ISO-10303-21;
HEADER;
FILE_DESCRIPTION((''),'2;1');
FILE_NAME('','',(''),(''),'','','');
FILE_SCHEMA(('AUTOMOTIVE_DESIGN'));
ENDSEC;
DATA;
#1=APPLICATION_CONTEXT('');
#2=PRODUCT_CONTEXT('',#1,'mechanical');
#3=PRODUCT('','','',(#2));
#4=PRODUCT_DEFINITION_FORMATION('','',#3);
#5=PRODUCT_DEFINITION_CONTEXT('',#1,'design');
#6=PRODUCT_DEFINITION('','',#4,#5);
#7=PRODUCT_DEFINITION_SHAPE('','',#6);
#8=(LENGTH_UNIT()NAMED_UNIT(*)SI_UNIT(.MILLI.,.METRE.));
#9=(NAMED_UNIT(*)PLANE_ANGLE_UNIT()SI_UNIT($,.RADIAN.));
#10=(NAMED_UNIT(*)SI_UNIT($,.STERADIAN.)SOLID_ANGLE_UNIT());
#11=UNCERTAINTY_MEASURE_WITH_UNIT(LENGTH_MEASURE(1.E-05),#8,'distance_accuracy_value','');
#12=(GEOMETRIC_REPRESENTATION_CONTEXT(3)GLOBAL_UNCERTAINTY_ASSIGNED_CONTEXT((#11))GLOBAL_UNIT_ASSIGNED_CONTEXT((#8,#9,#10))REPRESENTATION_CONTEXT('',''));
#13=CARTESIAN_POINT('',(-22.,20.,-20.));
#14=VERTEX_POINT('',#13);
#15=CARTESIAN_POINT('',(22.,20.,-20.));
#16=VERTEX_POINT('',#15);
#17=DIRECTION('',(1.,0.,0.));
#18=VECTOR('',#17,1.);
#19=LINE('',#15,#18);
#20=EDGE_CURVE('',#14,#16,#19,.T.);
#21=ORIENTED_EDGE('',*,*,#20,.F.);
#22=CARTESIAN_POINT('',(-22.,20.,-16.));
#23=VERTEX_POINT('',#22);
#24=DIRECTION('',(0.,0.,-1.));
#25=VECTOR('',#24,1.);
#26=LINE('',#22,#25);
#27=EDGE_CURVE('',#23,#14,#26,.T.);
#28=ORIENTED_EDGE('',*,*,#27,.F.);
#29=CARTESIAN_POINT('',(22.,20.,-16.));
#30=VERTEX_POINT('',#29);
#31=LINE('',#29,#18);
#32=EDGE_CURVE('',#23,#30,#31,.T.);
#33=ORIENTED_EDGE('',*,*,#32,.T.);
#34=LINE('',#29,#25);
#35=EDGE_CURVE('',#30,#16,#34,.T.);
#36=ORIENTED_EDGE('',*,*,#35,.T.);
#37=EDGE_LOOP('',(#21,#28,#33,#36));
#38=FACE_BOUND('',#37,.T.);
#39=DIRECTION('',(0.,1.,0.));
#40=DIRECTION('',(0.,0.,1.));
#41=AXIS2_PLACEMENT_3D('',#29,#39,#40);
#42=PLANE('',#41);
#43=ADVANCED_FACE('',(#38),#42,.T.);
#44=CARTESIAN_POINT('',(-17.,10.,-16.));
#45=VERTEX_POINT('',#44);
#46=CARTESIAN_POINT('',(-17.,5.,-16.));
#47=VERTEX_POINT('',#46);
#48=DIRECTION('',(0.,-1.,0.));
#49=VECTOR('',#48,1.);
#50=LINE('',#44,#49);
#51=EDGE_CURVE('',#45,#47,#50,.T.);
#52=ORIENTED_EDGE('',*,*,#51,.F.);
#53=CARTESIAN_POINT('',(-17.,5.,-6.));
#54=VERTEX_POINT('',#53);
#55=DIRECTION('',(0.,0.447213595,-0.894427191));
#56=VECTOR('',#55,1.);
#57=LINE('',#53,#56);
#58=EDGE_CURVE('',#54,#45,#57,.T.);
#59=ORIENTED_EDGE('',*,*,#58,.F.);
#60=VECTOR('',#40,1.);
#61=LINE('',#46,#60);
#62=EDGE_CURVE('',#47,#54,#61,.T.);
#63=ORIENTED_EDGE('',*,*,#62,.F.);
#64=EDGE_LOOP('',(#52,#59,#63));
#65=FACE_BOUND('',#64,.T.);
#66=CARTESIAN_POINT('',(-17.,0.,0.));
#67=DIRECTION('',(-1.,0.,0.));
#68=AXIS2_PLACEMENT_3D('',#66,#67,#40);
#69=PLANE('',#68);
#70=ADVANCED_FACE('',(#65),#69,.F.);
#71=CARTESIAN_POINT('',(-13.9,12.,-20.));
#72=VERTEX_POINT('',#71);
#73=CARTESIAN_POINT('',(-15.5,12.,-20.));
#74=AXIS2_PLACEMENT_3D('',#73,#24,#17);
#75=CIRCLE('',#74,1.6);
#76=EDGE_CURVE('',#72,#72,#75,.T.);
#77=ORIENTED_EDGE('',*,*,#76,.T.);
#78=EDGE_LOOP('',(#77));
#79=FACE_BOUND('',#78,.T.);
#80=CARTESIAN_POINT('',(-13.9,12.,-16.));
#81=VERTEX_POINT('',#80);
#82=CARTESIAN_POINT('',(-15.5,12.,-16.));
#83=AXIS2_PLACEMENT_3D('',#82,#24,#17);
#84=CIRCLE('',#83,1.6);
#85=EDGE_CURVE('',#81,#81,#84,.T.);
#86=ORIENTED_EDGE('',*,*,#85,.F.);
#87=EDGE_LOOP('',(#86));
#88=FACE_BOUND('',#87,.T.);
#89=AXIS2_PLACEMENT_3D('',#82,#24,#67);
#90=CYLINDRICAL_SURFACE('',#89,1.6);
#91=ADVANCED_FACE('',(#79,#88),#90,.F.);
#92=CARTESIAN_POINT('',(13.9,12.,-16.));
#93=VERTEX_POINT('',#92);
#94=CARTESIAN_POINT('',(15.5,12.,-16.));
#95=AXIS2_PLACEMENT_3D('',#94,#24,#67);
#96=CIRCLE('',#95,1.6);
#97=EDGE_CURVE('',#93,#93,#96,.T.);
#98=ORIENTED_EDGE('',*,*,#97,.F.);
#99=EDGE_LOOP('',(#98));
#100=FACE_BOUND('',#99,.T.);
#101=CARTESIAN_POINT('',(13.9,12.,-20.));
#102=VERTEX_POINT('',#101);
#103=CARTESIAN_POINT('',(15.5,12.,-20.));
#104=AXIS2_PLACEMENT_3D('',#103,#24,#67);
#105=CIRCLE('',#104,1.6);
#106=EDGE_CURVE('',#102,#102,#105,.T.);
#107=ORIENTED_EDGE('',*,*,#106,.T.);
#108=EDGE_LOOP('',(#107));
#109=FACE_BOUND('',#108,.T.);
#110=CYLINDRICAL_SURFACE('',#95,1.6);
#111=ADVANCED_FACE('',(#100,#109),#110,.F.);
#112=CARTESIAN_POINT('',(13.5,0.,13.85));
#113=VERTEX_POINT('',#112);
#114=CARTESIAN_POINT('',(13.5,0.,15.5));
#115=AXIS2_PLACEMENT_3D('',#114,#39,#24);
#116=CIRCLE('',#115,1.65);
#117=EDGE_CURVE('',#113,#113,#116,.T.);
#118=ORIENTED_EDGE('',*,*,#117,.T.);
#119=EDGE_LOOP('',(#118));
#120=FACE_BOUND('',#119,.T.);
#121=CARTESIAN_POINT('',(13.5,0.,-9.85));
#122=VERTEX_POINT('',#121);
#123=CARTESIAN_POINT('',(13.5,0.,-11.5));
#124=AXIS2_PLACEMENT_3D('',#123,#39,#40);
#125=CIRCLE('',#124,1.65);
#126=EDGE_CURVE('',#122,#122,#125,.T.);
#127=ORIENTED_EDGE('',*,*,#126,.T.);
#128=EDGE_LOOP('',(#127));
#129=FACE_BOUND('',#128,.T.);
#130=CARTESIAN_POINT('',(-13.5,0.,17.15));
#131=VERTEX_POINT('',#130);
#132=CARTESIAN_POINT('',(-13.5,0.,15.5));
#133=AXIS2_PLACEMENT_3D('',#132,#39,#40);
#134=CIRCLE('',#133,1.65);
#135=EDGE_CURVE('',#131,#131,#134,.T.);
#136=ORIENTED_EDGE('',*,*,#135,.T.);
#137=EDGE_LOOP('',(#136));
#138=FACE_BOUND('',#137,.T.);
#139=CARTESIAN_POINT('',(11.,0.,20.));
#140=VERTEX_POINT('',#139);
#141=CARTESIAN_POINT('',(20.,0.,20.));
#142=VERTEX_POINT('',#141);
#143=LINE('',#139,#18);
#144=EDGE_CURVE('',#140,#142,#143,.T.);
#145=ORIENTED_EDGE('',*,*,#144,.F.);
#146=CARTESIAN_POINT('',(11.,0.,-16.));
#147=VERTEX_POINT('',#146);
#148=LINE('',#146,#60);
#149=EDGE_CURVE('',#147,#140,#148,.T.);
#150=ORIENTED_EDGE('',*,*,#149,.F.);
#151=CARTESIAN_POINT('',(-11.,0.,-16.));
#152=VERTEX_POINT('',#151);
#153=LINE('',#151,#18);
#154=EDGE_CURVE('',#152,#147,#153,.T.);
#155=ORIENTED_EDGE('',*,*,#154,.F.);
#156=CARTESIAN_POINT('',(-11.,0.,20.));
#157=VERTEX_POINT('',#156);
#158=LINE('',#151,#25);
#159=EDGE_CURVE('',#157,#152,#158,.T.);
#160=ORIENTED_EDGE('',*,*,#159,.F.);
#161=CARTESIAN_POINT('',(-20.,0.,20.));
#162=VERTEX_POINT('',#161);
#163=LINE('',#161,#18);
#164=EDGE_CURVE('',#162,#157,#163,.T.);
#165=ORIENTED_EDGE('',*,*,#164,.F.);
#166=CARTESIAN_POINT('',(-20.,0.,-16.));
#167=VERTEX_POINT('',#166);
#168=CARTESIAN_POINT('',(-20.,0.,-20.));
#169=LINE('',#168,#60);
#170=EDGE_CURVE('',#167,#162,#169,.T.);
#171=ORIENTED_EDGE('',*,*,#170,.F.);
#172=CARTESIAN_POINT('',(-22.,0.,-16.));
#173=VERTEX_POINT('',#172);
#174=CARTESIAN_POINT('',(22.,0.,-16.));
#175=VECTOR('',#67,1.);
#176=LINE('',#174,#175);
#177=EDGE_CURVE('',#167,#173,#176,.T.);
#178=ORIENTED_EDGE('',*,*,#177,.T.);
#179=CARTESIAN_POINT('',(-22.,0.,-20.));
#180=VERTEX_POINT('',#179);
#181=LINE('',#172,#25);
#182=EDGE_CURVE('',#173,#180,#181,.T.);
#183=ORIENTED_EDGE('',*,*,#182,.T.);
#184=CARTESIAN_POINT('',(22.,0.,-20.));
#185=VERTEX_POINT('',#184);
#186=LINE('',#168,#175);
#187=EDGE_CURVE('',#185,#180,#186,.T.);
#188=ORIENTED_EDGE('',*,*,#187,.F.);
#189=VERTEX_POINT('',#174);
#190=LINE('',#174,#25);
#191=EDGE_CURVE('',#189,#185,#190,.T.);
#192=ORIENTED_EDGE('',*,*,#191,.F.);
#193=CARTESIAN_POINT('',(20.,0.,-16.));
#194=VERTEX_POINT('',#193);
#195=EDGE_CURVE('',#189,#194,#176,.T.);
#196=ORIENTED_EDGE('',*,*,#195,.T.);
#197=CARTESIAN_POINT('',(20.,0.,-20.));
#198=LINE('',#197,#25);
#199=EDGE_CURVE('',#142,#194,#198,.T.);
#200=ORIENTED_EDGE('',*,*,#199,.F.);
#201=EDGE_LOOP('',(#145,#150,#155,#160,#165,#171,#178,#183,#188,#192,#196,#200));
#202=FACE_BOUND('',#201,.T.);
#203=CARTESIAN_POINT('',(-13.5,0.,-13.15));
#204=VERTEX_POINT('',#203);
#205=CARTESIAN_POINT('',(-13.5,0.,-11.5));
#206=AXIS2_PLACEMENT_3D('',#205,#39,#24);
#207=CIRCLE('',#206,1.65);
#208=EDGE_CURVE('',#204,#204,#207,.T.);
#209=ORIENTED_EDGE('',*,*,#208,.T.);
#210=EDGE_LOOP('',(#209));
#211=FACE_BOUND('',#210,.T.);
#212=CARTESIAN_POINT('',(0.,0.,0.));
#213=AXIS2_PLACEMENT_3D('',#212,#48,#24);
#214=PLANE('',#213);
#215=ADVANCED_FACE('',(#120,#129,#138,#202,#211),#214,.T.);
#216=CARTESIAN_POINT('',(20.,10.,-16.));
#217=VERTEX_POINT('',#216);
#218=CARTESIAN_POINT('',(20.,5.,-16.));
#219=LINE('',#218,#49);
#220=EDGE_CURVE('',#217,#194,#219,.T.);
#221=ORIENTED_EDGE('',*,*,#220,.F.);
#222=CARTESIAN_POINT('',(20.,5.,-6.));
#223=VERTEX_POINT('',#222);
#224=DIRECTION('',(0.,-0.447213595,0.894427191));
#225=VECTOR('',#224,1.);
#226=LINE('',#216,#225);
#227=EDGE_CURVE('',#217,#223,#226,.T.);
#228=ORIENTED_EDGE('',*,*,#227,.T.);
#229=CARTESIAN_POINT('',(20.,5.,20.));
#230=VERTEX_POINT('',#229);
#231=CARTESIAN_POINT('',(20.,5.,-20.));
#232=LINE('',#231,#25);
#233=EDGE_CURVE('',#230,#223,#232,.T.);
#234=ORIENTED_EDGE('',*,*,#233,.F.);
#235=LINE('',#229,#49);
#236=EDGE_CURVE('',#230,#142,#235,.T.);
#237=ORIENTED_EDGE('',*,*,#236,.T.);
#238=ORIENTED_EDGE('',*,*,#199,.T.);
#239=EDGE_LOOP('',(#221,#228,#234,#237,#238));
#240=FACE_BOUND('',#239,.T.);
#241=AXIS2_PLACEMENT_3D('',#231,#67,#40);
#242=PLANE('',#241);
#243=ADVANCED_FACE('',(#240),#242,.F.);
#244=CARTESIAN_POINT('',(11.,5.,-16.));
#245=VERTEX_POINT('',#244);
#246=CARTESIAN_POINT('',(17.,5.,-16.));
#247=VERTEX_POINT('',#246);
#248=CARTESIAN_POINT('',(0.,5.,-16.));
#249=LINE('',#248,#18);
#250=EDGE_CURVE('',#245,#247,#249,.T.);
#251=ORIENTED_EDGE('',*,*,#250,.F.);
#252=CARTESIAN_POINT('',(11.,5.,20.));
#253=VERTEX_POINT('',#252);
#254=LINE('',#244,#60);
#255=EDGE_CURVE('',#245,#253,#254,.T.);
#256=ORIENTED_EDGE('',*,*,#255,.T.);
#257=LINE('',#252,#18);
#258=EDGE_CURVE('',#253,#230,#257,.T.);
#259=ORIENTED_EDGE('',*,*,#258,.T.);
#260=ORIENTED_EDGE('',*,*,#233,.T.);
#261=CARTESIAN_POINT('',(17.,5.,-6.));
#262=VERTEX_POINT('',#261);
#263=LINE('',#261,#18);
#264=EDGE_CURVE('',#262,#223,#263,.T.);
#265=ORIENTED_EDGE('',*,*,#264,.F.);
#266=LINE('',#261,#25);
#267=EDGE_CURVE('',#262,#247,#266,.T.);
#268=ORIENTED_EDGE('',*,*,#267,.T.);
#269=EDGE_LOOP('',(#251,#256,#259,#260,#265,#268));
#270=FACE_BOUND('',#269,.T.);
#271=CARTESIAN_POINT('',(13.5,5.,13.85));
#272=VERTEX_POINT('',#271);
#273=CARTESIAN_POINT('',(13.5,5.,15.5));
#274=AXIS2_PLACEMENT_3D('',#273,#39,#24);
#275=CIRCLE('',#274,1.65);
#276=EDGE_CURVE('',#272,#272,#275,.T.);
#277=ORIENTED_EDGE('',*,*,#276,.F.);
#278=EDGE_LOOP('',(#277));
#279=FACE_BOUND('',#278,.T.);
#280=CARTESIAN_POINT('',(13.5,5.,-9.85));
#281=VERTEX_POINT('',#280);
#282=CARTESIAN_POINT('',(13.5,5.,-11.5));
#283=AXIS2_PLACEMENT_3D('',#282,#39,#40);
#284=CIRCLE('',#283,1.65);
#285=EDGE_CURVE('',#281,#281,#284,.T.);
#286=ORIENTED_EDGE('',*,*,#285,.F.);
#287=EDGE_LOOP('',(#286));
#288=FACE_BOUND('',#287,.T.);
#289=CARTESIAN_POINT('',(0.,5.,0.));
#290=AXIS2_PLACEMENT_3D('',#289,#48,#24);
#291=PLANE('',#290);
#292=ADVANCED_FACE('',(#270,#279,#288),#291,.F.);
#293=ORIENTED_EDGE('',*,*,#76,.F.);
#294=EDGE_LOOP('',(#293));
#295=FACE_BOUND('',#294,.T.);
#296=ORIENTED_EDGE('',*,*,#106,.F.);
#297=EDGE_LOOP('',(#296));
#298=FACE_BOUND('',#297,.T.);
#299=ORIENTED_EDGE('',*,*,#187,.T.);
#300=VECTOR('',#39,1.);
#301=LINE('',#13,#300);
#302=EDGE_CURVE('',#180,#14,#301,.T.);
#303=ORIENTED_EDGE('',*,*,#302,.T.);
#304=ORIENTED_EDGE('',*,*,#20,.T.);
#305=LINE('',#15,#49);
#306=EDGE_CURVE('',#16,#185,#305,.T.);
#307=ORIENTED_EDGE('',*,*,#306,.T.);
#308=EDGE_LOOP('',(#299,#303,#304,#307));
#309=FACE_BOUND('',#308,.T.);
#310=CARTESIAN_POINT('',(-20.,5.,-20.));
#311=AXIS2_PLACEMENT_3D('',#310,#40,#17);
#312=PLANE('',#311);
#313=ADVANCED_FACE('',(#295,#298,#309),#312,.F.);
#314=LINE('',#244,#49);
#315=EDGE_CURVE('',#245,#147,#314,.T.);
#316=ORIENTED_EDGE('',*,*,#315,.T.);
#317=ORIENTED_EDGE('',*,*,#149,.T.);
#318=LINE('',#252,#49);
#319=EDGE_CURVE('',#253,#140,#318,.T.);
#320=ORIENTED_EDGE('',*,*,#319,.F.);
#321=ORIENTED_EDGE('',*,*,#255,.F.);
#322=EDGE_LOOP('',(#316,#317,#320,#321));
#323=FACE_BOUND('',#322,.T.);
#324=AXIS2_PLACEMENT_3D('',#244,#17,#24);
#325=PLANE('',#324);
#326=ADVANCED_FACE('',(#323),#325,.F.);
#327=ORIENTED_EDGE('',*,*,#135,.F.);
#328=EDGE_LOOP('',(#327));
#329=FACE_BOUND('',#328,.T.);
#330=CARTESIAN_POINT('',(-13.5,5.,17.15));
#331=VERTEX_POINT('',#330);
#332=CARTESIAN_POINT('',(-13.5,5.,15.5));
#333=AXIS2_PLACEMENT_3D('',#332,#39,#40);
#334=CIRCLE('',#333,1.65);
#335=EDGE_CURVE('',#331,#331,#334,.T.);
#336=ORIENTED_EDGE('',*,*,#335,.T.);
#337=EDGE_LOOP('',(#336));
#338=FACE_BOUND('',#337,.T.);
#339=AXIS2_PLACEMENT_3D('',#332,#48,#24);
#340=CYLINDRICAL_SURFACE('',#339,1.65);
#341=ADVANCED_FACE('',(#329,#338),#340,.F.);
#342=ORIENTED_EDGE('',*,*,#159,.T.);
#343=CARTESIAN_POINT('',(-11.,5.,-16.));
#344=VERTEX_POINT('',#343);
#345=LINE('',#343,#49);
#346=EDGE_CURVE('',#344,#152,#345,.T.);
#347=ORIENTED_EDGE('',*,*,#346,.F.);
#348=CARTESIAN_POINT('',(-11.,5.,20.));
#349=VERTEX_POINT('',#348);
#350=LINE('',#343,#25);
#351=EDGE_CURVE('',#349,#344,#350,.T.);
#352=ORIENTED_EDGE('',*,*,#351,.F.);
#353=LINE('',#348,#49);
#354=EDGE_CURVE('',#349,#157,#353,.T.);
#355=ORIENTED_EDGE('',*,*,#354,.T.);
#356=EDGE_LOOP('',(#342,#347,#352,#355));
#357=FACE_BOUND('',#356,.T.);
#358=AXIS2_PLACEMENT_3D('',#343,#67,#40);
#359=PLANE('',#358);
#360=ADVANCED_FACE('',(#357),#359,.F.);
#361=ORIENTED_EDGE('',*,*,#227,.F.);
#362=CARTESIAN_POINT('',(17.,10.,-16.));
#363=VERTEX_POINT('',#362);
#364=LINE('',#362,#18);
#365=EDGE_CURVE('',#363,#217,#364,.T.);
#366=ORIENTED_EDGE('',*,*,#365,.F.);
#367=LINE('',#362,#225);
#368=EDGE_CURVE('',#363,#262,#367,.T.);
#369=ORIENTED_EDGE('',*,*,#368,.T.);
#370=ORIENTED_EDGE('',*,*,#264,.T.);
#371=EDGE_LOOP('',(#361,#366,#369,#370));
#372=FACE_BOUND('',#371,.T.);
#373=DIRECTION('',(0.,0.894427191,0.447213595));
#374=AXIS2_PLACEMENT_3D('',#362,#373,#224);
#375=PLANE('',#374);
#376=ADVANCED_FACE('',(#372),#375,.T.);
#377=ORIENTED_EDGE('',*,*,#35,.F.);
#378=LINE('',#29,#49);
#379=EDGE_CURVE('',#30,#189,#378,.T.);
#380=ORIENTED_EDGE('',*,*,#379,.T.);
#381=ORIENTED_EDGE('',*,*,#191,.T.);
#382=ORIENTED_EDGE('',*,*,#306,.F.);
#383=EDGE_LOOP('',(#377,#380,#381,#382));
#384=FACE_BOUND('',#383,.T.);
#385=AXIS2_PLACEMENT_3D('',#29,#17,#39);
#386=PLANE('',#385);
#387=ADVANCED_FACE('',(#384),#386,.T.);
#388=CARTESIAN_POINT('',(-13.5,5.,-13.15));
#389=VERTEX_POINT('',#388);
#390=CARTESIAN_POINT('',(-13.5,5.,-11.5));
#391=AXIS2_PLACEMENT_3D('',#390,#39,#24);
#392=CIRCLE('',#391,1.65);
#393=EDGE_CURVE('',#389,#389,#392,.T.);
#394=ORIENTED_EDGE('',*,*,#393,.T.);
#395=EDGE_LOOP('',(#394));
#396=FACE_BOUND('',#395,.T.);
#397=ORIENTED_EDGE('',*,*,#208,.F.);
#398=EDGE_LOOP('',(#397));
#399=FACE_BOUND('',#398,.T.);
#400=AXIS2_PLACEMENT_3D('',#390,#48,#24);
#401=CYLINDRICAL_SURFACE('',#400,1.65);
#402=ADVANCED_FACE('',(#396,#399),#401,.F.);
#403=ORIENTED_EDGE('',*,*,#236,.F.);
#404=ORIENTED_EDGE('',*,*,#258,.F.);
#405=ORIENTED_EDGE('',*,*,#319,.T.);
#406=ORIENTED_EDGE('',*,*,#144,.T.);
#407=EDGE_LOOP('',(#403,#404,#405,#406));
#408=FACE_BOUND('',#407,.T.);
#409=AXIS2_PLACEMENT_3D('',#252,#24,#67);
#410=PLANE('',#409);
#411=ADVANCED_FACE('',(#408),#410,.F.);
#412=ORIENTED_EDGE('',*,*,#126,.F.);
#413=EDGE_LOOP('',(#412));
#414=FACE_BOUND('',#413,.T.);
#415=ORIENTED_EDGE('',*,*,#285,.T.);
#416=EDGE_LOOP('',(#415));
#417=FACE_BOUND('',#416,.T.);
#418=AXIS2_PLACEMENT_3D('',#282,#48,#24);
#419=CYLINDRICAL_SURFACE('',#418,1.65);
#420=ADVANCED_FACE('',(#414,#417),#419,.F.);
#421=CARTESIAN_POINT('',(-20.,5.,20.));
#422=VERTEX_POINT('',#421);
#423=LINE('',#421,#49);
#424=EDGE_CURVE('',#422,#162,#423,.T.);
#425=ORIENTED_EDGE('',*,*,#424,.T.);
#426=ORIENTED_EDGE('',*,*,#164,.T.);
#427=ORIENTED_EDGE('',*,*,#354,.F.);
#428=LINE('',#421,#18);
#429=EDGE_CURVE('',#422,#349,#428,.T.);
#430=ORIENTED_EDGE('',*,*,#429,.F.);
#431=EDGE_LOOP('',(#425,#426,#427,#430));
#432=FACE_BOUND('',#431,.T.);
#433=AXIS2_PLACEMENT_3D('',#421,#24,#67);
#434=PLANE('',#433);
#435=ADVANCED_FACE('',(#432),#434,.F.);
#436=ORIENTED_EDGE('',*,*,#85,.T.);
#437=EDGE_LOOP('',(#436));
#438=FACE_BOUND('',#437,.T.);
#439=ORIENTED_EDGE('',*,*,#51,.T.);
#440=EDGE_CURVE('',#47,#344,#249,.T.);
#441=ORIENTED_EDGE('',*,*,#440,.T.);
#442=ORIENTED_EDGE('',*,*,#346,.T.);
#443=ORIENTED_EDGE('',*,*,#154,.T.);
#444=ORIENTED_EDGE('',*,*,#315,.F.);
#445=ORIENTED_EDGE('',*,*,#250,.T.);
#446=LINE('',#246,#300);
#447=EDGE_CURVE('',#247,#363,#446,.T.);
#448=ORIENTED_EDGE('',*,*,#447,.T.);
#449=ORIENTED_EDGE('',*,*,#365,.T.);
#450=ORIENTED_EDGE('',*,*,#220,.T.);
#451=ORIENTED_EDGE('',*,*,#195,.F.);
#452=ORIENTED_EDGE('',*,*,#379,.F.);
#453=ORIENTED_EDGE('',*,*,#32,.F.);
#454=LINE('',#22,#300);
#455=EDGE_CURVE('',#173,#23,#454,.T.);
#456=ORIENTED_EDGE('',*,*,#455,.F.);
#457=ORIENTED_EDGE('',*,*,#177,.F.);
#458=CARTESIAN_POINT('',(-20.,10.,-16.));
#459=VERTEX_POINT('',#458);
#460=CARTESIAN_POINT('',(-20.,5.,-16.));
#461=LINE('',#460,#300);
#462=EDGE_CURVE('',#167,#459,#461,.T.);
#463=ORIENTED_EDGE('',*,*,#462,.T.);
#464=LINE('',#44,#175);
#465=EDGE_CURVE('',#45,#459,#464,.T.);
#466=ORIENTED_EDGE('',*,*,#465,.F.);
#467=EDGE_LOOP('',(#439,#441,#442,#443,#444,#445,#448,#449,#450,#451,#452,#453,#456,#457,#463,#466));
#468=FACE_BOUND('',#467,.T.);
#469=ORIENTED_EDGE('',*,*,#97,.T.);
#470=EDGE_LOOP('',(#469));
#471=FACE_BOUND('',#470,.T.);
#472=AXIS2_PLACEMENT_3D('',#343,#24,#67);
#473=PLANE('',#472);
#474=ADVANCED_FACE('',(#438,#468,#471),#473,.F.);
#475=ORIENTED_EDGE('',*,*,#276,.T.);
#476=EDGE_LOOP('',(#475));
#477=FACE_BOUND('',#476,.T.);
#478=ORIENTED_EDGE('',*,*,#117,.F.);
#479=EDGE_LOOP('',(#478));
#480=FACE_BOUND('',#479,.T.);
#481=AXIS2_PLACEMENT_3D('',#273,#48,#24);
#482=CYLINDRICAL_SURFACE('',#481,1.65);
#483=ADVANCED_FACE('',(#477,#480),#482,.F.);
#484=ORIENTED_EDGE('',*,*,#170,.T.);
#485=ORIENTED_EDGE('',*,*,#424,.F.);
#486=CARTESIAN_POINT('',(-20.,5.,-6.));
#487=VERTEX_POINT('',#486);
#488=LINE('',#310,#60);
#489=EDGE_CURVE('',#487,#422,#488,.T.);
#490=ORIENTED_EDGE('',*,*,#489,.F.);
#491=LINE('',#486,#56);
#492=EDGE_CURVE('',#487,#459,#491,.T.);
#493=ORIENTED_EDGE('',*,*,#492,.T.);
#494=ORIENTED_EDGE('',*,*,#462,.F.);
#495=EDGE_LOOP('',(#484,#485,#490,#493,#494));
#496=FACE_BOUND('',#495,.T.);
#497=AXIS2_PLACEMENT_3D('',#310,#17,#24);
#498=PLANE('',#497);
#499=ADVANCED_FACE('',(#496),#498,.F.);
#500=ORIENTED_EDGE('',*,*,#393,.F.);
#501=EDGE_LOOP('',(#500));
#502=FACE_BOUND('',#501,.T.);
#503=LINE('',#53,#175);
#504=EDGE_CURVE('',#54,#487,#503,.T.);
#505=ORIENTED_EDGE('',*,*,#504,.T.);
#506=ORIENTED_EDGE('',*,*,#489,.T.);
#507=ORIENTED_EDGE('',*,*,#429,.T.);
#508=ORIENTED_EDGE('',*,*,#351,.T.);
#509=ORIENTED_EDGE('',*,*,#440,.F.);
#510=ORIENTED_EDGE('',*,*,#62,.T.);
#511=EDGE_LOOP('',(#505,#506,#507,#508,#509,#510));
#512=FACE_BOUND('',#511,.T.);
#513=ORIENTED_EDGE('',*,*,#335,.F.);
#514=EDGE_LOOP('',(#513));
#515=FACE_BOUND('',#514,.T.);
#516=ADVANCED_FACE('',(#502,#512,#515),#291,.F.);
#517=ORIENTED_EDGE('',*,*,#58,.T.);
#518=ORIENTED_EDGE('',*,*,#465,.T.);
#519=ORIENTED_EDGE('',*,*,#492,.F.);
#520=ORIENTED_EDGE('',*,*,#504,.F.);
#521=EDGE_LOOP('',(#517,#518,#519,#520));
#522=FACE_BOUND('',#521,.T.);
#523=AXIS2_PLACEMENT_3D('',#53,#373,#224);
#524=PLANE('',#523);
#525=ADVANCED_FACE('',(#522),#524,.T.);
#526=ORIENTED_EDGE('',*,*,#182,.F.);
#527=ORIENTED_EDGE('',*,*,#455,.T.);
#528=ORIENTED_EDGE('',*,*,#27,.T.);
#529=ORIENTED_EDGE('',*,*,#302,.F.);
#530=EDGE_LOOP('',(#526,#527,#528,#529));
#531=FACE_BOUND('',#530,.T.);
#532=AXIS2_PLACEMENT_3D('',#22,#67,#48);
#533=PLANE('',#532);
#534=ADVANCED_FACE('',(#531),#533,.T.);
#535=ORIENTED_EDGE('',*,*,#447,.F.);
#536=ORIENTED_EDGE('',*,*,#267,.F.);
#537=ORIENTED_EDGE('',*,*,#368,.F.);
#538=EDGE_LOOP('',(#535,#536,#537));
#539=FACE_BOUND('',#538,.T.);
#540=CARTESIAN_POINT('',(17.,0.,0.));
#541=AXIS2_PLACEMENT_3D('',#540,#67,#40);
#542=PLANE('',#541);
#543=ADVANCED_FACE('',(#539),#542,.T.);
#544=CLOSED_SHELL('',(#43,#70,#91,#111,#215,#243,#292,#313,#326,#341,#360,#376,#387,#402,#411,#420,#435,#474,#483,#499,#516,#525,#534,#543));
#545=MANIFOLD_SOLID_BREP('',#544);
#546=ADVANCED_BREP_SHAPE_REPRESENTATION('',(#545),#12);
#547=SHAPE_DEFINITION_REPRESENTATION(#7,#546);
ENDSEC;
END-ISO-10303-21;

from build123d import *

# Parameters (mm, degrees)
SKETCH_1_R      = 1.65
EXTRUDE_1_DEPTH = 5
SKETCH_2_W      = 44
SKETCH_2_H      = 20
SKETCH_2_R      = 1.6
EXTRUDE_2_DEPTH = 4
EXTRUDE_4_DEPTH = 3
EXTRUDE_5_DEPTH = 3
EXTRUDE_6_DEPTH = 3


with BuildPart() as part:
    # 草图1 → 凸台-拉伸1 (new body)
    with BuildSketch(Plane(origin=(0, 0, 0), x_dir=(1, 0, 0), z_dir=(0, 1, 0))):
        Polygon((-20, 20), (20, 20), (20, -20), (11, -20), (11, 16), (-11, 16), (-11, -20), (-20, -20), align=None)
        with Locations(Location((-13.5, -15.5, 0), (0, 0, 270))):
            Circle(SKETCH_1_R, mode=Mode.SUBTRACT)
        with Locations(Location((13.5, -15.5, 0), (0, 0, 90))):
            Circle(SKETCH_1_R, mode=Mode.SUBTRACT)
        with Locations(Location((13.5, 11.5, 0), (0, 0, 270))):
            Circle(SKETCH_1_R, mode=Mode.SUBTRACT)
        with Locations(Location((-13.5, 11.5, 0), (0, 0, 90))):
            Circle(SKETCH_1_R, mode=Mode.SUBTRACT)
    extrude(amount=EXTRUDE_1_DEPTH)

    # 草图2 → 凸台-拉伸2 (add)
    with BuildSketch(Plane(origin=(0, 0, -20), x_dir=(-1, 0, 0), z_dir=(0, 0, -1))):
        with Locations((0, 10)):
            Rectangle(SKETCH_2_W, SKETCH_2_H)
        with Locations((-15.5, 12)):
            Circle(SKETCH_2_R, mode=Mode.SUBTRACT)
        with Locations(Location((15.5, 12, 0), (0, 0, 180))):
            Circle(SKETCH_2_R, mode=Mode.SUBTRACT)
    extrude(amount=-EXTRUDE_2_DEPTH)

    # 草图4 → 凸台-拉伸4 (add)
    with BuildSketch(Plane.ZY.offset(20)):
        Polygon((-16, 0), (-6, 5), (-16, 5), align=None)
    extrude(amount=-EXTRUDE_4_DEPTH)

    # 草图5 → 凸台-拉伸5 (add)
    with BuildSketch(Plane(origin=(20, 0, 0), x_dir=(0, 0, -1), z_dir=(1, 0, 0))):
        Polygon((16, 10), (6, 5), (16, 5), align=None)
    extrude(amount=-EXTRUDE_5_DEPTH)

    # 草图6 → 凸台-拉伸6 (add)
    with BuildSketch(Plane.ZY.offset(20)):
        Polygon((-16, 10), (-16, 5), (-6, 5), align=None)
    extrude(amount=-EXTRUDE_6_DEPTH)


solid = part.part
